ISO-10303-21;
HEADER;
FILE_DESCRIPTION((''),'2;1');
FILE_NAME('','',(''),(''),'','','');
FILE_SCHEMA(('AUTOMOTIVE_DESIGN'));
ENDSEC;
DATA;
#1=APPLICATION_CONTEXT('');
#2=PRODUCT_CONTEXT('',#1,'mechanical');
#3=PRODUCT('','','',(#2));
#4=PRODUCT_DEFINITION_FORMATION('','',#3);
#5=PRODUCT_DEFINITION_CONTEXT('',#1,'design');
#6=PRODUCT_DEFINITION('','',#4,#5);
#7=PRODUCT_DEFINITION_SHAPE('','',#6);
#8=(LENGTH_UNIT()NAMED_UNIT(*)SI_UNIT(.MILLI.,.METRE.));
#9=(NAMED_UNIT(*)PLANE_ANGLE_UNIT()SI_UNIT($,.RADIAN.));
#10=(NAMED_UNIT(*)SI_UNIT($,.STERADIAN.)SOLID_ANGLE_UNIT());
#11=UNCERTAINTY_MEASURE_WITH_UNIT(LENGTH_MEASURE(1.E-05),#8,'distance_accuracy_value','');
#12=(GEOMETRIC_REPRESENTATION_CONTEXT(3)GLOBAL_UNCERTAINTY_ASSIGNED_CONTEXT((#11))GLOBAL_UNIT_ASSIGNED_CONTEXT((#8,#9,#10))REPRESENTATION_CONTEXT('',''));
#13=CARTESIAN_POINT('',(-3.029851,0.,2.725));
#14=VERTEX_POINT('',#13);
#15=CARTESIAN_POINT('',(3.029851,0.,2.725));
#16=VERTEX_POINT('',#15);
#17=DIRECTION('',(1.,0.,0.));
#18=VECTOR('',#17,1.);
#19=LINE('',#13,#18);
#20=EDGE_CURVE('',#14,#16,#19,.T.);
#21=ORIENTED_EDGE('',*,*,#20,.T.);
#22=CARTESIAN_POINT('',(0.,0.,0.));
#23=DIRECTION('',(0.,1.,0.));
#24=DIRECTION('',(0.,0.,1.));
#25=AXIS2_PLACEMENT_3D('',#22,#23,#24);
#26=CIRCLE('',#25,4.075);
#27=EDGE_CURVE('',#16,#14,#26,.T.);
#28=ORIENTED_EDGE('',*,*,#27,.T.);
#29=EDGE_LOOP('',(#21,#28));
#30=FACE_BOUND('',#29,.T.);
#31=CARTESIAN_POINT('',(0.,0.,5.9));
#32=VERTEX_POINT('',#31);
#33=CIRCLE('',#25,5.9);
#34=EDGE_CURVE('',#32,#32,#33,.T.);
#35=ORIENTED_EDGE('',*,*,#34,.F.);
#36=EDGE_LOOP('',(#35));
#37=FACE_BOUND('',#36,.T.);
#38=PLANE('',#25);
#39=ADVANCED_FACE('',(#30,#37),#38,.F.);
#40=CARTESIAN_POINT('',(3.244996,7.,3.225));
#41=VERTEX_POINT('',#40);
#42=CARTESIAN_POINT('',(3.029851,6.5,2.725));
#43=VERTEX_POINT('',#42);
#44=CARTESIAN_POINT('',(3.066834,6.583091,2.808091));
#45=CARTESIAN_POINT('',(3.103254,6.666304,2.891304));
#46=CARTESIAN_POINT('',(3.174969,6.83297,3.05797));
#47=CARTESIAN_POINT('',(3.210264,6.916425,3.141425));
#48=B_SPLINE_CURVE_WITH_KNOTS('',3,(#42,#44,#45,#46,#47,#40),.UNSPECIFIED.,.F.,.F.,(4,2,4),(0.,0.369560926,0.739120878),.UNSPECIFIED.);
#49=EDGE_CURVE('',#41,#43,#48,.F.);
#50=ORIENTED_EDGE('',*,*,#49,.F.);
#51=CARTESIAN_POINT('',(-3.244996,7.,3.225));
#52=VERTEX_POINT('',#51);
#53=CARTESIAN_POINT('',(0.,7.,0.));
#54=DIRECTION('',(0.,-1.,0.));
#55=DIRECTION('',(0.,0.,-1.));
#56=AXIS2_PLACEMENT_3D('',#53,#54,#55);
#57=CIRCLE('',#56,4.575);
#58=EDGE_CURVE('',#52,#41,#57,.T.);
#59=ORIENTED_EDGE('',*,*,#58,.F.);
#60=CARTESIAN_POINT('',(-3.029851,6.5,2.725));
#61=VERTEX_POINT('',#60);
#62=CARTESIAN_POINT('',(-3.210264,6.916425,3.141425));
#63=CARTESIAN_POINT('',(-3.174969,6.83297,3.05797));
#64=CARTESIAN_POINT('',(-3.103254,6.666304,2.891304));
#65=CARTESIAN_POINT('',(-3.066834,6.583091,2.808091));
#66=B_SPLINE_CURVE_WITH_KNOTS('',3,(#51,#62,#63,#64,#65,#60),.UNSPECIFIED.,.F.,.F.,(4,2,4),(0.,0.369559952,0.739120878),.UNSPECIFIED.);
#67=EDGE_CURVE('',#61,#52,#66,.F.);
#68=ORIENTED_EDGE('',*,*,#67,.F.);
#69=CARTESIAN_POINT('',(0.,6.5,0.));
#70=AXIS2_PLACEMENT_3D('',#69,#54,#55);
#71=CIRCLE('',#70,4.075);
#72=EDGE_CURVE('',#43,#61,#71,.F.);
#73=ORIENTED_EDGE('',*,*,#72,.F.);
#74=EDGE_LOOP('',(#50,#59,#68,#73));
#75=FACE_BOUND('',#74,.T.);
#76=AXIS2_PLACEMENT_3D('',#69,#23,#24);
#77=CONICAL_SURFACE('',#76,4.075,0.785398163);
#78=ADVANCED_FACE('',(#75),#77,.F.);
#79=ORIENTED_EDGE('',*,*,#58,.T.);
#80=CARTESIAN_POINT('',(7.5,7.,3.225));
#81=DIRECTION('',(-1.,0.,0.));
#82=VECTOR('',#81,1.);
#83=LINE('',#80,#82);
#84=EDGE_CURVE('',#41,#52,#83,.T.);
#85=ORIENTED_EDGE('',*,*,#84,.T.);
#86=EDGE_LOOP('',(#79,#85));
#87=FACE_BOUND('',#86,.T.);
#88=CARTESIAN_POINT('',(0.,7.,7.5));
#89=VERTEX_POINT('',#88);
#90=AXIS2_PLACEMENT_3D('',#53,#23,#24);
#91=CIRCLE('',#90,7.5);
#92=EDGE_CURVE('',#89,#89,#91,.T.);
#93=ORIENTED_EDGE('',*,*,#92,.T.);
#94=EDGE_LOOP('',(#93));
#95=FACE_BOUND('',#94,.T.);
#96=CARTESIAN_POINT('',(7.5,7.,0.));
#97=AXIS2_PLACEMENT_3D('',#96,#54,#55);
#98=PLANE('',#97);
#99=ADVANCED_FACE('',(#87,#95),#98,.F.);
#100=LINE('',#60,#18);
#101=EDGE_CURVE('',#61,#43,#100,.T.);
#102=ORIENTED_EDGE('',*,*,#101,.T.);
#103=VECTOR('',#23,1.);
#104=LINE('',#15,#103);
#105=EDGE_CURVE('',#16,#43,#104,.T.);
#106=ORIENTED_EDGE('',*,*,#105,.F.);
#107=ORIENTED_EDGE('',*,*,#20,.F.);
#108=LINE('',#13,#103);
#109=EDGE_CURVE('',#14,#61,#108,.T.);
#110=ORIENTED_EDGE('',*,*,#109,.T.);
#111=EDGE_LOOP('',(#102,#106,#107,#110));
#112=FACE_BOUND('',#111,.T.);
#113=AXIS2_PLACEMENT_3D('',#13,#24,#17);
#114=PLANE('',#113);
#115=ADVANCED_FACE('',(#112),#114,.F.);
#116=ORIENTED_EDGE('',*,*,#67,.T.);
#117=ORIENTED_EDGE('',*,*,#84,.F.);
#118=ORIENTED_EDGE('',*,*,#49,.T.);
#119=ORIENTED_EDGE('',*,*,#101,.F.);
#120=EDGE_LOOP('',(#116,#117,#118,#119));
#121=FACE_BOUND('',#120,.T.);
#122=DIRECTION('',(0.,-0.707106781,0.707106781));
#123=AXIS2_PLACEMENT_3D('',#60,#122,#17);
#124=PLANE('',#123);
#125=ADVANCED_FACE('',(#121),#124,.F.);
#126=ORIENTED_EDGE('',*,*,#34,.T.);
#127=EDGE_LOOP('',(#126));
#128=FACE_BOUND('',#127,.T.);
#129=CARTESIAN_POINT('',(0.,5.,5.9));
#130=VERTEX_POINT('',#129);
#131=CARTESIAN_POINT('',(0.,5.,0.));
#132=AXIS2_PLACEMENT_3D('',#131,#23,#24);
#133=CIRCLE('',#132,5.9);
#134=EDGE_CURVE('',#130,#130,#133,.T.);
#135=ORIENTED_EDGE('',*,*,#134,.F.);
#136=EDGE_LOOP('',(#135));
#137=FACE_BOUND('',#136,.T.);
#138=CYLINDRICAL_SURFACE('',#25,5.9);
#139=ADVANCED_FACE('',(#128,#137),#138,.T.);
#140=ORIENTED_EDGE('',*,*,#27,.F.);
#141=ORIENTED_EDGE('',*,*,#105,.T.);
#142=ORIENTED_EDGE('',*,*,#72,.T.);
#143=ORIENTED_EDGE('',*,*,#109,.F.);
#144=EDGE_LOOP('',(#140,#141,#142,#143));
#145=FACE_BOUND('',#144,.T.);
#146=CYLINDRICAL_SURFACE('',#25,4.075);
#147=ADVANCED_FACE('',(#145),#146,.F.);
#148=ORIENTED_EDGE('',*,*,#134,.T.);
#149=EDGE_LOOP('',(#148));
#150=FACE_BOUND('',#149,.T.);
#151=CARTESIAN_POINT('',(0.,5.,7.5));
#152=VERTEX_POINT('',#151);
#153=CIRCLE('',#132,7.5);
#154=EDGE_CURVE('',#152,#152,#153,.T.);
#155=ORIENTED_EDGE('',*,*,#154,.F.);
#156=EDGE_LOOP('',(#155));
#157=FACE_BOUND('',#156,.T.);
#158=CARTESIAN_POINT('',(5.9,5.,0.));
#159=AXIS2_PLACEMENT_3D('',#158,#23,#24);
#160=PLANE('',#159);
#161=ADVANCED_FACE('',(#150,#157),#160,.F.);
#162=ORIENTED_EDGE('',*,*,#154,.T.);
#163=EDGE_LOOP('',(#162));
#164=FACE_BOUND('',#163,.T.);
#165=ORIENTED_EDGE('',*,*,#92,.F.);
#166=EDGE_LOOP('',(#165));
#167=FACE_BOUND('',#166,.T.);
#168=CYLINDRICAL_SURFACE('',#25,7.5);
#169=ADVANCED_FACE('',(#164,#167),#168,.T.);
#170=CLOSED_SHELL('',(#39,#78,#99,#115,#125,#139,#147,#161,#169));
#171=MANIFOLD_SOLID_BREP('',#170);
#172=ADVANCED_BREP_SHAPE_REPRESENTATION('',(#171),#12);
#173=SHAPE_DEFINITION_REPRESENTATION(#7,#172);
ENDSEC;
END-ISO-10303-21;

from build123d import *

# Parameters (mm, degrees)
SCHNITT_LINEAR_AUSTRAGEN1_DEPTH = 13.708265027
FASE1_SIZE                      = 0.5


with BuildPart() as part:
    # Skizze1 → Rotation1 (revolve)
    with BuildSketch(Plane.XY, mode=Mode.PRIVATE) as rotation1_sk:
        Polygon((0, 0), (5.9, 0), (5.9, 5), (7.5, 5), (7.5, 7), (0, 7), align=None)
    revolve(rotation1_sk.sketch.rotate(Axis((0, 0, 0), (0, -1, 0)), 90), axis=Axis((0, 0, 0), (0, -1, 0)))

    # Skizze2 → Schnitt-Linear austragen1 (cut, through all)
    with BuildSketch(Plane(origin=(0, 7, 0), x_dir=(1, 0, 0), z_dir=(0, 1, 0))):
        with BuildLine():
            Line((-3.029851482, -2.725), (3.029851482, -2.725))
            ThreePointArc((3.029851482, -2.725), (0, 4.075), (-3.029851482, -2.725))
        make_face()
    extrude(amount=-SCHNITT_LINEAR_AUSTRAGEN1_DEPTH, mode=Mode.SUBTRACT)

    # Fase1
    fase1_edges = [part.edges().sort_by_distance(p)[0] for p in [
        (0, 7, -4.075),
        (0, 7, 2.725),
    ]]
    chamfer(fase1_edges, length=FASE1_SIZE)


solid = part.part
